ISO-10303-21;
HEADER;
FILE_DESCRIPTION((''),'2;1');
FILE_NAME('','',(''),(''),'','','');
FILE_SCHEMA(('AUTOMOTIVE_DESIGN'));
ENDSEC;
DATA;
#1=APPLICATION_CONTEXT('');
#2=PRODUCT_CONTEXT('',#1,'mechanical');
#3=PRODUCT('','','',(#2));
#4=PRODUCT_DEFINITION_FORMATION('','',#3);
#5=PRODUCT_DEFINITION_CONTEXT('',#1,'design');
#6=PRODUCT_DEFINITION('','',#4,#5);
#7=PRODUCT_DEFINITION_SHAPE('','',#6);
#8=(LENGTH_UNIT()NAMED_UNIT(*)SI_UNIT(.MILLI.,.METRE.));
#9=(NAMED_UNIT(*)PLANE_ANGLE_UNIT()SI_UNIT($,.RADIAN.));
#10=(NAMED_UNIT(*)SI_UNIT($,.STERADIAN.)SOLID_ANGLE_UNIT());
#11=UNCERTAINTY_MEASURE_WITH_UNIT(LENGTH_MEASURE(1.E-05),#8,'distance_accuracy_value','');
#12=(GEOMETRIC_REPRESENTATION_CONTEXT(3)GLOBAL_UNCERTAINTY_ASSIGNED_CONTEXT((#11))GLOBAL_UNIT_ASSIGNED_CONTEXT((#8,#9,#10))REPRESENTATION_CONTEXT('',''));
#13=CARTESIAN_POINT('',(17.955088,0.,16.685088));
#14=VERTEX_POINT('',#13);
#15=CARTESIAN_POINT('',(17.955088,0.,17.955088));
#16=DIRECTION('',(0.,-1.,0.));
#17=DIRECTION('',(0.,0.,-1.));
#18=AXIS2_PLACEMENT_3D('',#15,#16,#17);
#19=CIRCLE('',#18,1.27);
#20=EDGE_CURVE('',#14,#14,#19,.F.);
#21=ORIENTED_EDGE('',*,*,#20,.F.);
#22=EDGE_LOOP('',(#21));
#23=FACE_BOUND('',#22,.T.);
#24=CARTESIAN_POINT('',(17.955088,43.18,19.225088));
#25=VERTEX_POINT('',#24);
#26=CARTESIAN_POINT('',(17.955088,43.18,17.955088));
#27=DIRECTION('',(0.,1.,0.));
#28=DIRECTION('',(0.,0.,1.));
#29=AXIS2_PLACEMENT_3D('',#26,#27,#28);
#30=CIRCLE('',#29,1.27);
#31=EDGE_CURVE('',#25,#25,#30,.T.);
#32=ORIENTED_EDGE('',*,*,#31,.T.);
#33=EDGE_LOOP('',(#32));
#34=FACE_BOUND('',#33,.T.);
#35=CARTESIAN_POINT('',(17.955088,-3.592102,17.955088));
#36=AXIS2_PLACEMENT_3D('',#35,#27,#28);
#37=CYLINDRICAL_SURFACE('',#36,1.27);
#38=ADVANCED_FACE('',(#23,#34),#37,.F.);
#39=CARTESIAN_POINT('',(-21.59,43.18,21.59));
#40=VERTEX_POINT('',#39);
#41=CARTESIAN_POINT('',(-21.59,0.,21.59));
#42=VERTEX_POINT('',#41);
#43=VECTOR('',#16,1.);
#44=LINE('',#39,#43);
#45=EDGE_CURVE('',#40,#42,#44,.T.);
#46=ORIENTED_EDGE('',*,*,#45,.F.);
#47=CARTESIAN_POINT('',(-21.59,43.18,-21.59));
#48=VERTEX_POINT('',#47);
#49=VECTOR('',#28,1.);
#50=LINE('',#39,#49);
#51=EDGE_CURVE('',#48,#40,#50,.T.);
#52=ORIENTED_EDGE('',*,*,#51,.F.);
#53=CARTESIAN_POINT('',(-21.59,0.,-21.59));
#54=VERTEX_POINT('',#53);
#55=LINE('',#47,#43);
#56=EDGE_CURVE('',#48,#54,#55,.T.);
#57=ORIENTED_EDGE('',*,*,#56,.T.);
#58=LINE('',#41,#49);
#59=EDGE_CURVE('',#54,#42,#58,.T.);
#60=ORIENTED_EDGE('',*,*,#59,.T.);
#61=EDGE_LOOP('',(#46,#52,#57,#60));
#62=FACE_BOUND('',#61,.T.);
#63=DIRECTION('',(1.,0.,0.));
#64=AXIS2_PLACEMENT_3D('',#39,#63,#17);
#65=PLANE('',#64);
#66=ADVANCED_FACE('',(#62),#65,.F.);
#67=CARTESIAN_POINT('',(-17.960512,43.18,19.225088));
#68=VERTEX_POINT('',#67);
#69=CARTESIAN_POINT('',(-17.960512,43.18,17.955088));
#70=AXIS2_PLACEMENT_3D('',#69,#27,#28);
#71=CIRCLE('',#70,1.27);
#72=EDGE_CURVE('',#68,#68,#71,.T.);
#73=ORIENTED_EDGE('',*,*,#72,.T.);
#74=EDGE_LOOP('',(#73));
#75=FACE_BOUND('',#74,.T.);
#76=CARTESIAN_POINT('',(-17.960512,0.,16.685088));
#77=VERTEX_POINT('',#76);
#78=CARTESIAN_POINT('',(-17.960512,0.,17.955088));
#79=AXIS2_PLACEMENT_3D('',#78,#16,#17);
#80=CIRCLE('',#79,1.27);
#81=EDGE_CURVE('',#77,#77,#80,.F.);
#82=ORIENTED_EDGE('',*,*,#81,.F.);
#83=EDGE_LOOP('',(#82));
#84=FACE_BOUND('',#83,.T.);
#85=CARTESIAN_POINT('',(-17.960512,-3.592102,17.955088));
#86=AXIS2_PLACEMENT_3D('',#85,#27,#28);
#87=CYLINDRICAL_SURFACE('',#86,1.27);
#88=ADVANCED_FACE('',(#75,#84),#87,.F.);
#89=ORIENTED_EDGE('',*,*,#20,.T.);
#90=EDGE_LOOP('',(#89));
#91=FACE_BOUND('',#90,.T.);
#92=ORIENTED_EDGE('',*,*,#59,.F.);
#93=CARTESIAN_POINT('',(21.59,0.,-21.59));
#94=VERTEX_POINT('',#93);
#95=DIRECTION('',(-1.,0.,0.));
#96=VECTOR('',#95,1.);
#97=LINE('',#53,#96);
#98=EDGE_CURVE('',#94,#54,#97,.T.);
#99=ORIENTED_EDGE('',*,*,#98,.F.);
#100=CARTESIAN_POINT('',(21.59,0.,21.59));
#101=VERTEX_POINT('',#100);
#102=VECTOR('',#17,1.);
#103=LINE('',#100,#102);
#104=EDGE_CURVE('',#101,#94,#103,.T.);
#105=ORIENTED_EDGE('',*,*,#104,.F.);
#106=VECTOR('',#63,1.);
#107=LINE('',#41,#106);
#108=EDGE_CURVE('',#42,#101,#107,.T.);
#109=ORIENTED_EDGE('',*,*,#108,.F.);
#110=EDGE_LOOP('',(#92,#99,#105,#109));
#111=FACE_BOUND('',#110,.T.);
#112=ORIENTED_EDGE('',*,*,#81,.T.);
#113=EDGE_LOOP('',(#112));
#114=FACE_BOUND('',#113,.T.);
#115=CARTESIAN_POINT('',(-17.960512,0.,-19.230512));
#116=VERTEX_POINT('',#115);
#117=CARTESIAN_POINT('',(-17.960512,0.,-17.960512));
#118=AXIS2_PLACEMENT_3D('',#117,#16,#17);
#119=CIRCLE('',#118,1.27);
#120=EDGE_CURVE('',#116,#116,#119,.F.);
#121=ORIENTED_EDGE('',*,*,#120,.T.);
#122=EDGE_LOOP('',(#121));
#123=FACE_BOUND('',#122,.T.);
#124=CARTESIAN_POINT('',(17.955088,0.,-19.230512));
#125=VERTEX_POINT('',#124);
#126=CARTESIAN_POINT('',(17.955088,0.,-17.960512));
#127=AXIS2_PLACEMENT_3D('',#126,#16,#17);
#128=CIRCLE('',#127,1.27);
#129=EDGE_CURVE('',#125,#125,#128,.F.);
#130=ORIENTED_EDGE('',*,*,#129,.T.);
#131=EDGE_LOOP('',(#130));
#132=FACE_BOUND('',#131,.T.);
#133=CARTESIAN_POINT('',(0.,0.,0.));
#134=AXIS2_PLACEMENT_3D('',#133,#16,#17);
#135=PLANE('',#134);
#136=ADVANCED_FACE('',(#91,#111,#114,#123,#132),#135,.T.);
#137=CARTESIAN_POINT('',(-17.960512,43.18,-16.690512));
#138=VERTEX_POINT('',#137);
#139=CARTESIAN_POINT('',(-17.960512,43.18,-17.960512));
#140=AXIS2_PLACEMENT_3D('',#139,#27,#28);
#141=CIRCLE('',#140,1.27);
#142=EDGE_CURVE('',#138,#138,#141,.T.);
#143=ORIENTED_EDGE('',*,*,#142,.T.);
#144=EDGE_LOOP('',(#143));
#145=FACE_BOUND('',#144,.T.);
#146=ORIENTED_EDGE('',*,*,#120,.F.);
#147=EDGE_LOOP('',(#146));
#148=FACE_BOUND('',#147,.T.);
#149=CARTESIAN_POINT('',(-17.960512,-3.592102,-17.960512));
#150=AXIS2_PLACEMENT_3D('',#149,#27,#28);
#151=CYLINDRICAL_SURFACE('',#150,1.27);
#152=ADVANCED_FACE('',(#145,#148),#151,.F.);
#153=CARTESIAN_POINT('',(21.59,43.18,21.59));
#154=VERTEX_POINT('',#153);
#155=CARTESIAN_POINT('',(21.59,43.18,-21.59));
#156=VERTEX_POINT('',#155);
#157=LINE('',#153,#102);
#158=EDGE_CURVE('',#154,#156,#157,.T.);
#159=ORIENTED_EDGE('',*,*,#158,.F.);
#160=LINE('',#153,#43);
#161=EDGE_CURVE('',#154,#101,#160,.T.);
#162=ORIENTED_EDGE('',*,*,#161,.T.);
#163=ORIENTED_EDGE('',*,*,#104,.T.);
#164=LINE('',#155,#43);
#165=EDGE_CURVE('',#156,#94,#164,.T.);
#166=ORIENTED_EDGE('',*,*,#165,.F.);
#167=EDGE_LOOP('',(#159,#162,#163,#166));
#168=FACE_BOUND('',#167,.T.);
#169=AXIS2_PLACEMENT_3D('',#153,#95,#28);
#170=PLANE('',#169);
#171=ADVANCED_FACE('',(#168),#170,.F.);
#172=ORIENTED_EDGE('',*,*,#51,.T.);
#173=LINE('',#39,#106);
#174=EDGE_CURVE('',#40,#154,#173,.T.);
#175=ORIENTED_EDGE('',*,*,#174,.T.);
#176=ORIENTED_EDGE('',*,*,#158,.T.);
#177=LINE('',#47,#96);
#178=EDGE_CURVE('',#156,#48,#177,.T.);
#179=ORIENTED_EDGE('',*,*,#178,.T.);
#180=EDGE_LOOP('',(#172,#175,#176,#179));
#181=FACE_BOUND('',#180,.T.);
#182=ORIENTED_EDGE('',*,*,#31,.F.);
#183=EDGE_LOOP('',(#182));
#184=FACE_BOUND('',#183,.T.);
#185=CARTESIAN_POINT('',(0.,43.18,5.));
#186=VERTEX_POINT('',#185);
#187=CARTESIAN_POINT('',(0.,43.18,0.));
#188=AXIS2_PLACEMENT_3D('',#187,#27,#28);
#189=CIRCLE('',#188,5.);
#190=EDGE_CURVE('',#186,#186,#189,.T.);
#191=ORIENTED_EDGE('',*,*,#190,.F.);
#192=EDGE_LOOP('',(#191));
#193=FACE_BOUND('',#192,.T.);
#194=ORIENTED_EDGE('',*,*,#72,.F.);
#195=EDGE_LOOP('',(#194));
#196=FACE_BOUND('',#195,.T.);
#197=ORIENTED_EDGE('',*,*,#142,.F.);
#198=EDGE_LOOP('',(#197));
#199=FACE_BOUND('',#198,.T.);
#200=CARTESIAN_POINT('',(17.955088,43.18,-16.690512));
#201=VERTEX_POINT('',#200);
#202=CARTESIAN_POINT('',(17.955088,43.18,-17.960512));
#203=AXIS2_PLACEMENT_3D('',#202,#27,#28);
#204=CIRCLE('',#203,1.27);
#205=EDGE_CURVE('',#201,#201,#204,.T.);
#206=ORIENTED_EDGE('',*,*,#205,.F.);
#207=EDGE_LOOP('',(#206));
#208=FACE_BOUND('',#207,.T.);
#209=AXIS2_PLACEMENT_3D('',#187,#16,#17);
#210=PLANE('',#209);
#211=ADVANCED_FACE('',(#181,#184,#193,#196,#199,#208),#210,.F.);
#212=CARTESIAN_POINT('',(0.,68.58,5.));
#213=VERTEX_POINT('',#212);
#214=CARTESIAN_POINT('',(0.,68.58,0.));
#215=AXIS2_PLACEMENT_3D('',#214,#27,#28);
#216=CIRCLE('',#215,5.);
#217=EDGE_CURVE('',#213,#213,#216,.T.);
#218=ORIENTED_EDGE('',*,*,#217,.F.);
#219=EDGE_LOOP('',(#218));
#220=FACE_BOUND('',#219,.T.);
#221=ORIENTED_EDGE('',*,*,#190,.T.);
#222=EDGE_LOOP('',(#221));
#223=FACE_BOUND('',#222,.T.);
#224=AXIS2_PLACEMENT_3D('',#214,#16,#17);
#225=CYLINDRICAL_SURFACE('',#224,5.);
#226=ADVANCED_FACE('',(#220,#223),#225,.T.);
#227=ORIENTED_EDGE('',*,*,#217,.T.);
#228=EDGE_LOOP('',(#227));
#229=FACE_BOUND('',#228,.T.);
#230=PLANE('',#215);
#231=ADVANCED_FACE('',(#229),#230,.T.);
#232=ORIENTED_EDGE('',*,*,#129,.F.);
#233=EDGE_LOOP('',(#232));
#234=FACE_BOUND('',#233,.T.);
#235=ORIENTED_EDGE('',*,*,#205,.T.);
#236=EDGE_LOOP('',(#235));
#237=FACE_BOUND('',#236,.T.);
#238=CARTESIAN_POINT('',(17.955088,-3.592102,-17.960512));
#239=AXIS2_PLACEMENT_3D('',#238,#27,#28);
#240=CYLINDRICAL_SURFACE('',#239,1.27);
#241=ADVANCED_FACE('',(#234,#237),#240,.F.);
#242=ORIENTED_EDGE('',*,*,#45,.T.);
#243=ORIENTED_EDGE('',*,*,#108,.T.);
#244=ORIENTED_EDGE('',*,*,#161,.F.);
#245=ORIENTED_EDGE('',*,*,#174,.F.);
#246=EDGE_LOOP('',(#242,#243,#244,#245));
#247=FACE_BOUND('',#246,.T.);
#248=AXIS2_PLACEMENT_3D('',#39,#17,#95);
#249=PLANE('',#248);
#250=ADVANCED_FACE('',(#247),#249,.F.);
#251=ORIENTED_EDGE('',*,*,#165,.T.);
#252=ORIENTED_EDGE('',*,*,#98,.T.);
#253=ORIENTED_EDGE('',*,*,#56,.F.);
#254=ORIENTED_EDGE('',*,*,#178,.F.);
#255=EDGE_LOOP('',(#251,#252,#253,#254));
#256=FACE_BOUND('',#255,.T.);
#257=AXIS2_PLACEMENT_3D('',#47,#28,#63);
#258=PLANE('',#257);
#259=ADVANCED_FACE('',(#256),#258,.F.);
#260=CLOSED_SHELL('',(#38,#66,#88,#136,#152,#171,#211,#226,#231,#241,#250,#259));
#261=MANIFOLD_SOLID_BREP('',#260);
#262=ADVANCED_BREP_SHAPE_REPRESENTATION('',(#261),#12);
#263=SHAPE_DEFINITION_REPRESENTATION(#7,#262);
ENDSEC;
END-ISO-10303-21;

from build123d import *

# Parameters (mm, degrees)
SKETCH1_W            = 43.18
SKETCH1_H            = 43.18
BOSS_EXTRUDE1_DEPTH  = 43.18
SKETCH2_R            = 5
BOSS_EXTRUDE2_DEPTH  = 25.4
SKETCH3_R            = 1.27
CUT_EXTRUDE1_DEPTH   = 43.18
LPATTERN1_COUNT      = 2
LPATTERN1_PITCH      = 35.9156
LPATTERN1_COUNT_DIR2 = 2
LPATTERN1_PITCH_DIR2 = 35.9156


with BuildPart() as part:
    # Sketch1 → Boss-Extrude1 (new body)
    with BuildSketch(Plane(origin=(0, 0, 0), x_dir=(1, 0, 0), z_dir=(0, 1, 0))):
        Rectangle(SKETCH1_W, SKETCH1_H)
    extrude(amount=BOSS_EXTRUDE1_DEPTH)

    # Sketch2 → Boss-Extrude2 (add)
    with BuildSketch(Plane(origin=(0, 43.18, 0), x_dir=(1, 0, 0), z_dir=(0, 1, 0))):
        Circle(SKETCH2_R)
    extrude(amount=BOSS_EXTRUDE2_DEPTH)

    # Sketch3 → Cut-Extrude1 (cut)
    with BuildSketch(Plane(origin=(0, 43.18, 0), x_dir=(1, 0, 0), z_dir=(0, 1, 0))):
        with Locations((-17.960512242, 17.960512242)):
            Circle(SKETCH3_R)
    cut_extrude1 = extrude(amount=-CUT_EXTRUDE1_DEPTH, mode=Mode.SUBTRACT)

    # LPattern1: Cut-Extrude1 2 × 2
    with Locations(*[(i * LPATTERN1_PITCH, 0, j * LPATTERN1_PITCH_DIR2) for i in range(LPATTERN1_COUNT) for j in range(LPATTERN1_COUNT_DIR2) if (i, j) != (0, 0)]):
        add(cut_extrude1, mode=Mode.SUBTRACT)


solid = part.part
